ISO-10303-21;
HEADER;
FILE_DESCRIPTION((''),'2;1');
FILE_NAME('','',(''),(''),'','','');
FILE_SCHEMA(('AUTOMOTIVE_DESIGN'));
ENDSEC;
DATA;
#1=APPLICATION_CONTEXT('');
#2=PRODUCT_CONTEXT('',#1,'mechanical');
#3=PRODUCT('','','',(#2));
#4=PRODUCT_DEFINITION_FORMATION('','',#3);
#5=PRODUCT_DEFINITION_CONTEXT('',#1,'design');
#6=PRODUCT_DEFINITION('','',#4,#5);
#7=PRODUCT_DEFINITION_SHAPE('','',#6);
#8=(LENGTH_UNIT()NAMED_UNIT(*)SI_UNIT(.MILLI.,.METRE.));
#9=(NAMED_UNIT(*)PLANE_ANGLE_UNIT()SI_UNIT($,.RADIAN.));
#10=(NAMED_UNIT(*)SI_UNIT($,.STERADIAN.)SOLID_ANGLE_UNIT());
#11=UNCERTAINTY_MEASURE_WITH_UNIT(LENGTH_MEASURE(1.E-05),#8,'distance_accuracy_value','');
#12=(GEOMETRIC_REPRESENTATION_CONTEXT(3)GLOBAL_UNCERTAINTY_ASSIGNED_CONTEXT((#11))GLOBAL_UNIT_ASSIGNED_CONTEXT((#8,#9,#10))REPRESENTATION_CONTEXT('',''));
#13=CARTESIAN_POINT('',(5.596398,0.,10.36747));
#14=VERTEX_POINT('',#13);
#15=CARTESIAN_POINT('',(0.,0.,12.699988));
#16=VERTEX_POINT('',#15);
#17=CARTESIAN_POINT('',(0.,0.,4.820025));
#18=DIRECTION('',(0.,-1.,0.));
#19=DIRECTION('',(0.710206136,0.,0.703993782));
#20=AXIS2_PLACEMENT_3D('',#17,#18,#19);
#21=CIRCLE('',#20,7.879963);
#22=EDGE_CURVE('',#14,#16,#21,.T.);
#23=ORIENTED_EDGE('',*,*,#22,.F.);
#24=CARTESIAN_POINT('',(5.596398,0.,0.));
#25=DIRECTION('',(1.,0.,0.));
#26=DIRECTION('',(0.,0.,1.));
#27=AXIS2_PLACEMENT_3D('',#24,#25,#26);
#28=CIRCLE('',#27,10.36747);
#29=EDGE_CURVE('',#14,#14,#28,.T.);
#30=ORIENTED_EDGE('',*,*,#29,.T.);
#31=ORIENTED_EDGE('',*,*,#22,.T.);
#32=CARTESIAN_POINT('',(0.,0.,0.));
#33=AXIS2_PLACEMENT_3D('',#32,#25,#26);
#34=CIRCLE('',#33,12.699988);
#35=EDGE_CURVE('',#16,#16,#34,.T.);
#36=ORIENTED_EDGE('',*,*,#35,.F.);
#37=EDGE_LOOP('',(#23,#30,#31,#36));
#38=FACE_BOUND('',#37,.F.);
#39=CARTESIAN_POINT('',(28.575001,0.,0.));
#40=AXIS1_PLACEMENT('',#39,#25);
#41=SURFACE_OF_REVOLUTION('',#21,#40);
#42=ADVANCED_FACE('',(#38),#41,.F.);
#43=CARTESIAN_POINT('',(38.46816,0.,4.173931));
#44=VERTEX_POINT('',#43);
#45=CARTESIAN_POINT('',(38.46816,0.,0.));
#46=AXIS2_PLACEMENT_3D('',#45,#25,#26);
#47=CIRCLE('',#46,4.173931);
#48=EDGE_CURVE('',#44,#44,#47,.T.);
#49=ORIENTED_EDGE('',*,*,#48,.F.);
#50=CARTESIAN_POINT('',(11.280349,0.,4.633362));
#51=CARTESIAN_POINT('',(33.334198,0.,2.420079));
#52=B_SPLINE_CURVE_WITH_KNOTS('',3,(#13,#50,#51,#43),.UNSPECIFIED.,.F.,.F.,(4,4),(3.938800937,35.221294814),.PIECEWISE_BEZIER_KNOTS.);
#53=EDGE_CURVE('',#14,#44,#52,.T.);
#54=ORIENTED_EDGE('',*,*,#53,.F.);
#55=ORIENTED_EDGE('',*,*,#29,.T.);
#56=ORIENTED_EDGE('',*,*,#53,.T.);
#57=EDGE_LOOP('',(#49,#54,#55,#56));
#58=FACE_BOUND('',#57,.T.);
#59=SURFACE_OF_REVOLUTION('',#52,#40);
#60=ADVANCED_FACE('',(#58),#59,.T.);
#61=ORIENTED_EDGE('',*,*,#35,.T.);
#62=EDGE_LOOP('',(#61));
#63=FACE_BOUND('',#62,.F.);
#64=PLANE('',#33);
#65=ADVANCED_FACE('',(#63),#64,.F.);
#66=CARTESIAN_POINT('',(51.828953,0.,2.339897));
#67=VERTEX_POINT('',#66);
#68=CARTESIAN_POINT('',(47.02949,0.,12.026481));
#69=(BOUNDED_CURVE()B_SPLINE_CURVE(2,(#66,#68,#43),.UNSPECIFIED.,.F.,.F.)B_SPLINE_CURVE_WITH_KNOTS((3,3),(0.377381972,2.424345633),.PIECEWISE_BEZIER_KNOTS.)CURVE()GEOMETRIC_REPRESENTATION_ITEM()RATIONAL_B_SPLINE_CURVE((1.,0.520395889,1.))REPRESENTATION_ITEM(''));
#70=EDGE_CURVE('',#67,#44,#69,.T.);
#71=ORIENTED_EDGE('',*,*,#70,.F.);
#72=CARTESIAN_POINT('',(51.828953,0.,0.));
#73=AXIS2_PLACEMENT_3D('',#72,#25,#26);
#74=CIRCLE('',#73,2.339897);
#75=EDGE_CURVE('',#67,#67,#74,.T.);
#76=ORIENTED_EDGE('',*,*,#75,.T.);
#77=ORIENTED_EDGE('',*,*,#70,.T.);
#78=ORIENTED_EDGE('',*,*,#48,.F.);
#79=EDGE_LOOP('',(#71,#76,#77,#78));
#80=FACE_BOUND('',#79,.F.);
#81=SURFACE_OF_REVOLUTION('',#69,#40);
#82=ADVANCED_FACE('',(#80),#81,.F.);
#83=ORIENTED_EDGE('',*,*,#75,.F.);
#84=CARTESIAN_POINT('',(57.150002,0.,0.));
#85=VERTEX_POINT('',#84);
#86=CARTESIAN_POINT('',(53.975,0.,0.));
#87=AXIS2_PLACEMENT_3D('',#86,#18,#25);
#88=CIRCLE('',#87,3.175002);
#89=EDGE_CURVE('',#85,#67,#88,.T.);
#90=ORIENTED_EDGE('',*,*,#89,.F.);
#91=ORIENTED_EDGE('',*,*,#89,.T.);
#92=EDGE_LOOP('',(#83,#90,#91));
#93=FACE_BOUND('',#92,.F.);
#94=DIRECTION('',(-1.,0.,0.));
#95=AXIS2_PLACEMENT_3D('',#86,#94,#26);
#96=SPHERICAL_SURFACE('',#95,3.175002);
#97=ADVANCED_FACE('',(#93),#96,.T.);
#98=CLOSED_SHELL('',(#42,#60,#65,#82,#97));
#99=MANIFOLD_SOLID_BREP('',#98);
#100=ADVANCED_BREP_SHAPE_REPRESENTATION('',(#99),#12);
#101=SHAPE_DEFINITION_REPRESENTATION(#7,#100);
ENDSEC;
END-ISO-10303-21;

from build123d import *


with BuildPart() as f1:
    # F0 (on Front) → F1 (revolve)
    with BuildSketch(Plane.XZ):
        with BuildLine():
            Line((0, 12.6999883975), (0, 0))
            Line((0, 0), (57.1500015805, 0))
            ThreePointArc((57.1500015805, 0), (55.2530711286, 2.9064014221), (51.8289527481, 2.3398966278))
            add(Edge.make_bspline(
                [(51.8289527481, 2.3398966278), (47.0294900679, 12.026480669), (38.4681603694, 4.173931089)],
                knots=[0.3773819723, 0.3773819723, 0.3773819723, 2.424345633, 2.424345633, 2.424345633], degree=2, weights=[1, 0.5203958893, 1]))
            add(Edge.make_bspline(
                [(5.5963982414, 10.3674702788), (11.280348536, 4.6333622787), (33.3341983088, 2.4200785353), (38.4681603694, 4.173931089)],
                knots=[3.9388009367, 3.9388009367, 3.9388009367, 3.9388009367, 35.2212948145, 35.2212948145, 35.2212948145, 35.2212948145], degree=3))
            ThreePointArc((5.5963982414, 10.3674702788), (3.0315142277, 12.0935210259), (0, 12.6999883975))
        make_face()
    revolve(axis=Axis((28.5750007903, 0, 0), (1, 0, 0)))


solid = f1.part
